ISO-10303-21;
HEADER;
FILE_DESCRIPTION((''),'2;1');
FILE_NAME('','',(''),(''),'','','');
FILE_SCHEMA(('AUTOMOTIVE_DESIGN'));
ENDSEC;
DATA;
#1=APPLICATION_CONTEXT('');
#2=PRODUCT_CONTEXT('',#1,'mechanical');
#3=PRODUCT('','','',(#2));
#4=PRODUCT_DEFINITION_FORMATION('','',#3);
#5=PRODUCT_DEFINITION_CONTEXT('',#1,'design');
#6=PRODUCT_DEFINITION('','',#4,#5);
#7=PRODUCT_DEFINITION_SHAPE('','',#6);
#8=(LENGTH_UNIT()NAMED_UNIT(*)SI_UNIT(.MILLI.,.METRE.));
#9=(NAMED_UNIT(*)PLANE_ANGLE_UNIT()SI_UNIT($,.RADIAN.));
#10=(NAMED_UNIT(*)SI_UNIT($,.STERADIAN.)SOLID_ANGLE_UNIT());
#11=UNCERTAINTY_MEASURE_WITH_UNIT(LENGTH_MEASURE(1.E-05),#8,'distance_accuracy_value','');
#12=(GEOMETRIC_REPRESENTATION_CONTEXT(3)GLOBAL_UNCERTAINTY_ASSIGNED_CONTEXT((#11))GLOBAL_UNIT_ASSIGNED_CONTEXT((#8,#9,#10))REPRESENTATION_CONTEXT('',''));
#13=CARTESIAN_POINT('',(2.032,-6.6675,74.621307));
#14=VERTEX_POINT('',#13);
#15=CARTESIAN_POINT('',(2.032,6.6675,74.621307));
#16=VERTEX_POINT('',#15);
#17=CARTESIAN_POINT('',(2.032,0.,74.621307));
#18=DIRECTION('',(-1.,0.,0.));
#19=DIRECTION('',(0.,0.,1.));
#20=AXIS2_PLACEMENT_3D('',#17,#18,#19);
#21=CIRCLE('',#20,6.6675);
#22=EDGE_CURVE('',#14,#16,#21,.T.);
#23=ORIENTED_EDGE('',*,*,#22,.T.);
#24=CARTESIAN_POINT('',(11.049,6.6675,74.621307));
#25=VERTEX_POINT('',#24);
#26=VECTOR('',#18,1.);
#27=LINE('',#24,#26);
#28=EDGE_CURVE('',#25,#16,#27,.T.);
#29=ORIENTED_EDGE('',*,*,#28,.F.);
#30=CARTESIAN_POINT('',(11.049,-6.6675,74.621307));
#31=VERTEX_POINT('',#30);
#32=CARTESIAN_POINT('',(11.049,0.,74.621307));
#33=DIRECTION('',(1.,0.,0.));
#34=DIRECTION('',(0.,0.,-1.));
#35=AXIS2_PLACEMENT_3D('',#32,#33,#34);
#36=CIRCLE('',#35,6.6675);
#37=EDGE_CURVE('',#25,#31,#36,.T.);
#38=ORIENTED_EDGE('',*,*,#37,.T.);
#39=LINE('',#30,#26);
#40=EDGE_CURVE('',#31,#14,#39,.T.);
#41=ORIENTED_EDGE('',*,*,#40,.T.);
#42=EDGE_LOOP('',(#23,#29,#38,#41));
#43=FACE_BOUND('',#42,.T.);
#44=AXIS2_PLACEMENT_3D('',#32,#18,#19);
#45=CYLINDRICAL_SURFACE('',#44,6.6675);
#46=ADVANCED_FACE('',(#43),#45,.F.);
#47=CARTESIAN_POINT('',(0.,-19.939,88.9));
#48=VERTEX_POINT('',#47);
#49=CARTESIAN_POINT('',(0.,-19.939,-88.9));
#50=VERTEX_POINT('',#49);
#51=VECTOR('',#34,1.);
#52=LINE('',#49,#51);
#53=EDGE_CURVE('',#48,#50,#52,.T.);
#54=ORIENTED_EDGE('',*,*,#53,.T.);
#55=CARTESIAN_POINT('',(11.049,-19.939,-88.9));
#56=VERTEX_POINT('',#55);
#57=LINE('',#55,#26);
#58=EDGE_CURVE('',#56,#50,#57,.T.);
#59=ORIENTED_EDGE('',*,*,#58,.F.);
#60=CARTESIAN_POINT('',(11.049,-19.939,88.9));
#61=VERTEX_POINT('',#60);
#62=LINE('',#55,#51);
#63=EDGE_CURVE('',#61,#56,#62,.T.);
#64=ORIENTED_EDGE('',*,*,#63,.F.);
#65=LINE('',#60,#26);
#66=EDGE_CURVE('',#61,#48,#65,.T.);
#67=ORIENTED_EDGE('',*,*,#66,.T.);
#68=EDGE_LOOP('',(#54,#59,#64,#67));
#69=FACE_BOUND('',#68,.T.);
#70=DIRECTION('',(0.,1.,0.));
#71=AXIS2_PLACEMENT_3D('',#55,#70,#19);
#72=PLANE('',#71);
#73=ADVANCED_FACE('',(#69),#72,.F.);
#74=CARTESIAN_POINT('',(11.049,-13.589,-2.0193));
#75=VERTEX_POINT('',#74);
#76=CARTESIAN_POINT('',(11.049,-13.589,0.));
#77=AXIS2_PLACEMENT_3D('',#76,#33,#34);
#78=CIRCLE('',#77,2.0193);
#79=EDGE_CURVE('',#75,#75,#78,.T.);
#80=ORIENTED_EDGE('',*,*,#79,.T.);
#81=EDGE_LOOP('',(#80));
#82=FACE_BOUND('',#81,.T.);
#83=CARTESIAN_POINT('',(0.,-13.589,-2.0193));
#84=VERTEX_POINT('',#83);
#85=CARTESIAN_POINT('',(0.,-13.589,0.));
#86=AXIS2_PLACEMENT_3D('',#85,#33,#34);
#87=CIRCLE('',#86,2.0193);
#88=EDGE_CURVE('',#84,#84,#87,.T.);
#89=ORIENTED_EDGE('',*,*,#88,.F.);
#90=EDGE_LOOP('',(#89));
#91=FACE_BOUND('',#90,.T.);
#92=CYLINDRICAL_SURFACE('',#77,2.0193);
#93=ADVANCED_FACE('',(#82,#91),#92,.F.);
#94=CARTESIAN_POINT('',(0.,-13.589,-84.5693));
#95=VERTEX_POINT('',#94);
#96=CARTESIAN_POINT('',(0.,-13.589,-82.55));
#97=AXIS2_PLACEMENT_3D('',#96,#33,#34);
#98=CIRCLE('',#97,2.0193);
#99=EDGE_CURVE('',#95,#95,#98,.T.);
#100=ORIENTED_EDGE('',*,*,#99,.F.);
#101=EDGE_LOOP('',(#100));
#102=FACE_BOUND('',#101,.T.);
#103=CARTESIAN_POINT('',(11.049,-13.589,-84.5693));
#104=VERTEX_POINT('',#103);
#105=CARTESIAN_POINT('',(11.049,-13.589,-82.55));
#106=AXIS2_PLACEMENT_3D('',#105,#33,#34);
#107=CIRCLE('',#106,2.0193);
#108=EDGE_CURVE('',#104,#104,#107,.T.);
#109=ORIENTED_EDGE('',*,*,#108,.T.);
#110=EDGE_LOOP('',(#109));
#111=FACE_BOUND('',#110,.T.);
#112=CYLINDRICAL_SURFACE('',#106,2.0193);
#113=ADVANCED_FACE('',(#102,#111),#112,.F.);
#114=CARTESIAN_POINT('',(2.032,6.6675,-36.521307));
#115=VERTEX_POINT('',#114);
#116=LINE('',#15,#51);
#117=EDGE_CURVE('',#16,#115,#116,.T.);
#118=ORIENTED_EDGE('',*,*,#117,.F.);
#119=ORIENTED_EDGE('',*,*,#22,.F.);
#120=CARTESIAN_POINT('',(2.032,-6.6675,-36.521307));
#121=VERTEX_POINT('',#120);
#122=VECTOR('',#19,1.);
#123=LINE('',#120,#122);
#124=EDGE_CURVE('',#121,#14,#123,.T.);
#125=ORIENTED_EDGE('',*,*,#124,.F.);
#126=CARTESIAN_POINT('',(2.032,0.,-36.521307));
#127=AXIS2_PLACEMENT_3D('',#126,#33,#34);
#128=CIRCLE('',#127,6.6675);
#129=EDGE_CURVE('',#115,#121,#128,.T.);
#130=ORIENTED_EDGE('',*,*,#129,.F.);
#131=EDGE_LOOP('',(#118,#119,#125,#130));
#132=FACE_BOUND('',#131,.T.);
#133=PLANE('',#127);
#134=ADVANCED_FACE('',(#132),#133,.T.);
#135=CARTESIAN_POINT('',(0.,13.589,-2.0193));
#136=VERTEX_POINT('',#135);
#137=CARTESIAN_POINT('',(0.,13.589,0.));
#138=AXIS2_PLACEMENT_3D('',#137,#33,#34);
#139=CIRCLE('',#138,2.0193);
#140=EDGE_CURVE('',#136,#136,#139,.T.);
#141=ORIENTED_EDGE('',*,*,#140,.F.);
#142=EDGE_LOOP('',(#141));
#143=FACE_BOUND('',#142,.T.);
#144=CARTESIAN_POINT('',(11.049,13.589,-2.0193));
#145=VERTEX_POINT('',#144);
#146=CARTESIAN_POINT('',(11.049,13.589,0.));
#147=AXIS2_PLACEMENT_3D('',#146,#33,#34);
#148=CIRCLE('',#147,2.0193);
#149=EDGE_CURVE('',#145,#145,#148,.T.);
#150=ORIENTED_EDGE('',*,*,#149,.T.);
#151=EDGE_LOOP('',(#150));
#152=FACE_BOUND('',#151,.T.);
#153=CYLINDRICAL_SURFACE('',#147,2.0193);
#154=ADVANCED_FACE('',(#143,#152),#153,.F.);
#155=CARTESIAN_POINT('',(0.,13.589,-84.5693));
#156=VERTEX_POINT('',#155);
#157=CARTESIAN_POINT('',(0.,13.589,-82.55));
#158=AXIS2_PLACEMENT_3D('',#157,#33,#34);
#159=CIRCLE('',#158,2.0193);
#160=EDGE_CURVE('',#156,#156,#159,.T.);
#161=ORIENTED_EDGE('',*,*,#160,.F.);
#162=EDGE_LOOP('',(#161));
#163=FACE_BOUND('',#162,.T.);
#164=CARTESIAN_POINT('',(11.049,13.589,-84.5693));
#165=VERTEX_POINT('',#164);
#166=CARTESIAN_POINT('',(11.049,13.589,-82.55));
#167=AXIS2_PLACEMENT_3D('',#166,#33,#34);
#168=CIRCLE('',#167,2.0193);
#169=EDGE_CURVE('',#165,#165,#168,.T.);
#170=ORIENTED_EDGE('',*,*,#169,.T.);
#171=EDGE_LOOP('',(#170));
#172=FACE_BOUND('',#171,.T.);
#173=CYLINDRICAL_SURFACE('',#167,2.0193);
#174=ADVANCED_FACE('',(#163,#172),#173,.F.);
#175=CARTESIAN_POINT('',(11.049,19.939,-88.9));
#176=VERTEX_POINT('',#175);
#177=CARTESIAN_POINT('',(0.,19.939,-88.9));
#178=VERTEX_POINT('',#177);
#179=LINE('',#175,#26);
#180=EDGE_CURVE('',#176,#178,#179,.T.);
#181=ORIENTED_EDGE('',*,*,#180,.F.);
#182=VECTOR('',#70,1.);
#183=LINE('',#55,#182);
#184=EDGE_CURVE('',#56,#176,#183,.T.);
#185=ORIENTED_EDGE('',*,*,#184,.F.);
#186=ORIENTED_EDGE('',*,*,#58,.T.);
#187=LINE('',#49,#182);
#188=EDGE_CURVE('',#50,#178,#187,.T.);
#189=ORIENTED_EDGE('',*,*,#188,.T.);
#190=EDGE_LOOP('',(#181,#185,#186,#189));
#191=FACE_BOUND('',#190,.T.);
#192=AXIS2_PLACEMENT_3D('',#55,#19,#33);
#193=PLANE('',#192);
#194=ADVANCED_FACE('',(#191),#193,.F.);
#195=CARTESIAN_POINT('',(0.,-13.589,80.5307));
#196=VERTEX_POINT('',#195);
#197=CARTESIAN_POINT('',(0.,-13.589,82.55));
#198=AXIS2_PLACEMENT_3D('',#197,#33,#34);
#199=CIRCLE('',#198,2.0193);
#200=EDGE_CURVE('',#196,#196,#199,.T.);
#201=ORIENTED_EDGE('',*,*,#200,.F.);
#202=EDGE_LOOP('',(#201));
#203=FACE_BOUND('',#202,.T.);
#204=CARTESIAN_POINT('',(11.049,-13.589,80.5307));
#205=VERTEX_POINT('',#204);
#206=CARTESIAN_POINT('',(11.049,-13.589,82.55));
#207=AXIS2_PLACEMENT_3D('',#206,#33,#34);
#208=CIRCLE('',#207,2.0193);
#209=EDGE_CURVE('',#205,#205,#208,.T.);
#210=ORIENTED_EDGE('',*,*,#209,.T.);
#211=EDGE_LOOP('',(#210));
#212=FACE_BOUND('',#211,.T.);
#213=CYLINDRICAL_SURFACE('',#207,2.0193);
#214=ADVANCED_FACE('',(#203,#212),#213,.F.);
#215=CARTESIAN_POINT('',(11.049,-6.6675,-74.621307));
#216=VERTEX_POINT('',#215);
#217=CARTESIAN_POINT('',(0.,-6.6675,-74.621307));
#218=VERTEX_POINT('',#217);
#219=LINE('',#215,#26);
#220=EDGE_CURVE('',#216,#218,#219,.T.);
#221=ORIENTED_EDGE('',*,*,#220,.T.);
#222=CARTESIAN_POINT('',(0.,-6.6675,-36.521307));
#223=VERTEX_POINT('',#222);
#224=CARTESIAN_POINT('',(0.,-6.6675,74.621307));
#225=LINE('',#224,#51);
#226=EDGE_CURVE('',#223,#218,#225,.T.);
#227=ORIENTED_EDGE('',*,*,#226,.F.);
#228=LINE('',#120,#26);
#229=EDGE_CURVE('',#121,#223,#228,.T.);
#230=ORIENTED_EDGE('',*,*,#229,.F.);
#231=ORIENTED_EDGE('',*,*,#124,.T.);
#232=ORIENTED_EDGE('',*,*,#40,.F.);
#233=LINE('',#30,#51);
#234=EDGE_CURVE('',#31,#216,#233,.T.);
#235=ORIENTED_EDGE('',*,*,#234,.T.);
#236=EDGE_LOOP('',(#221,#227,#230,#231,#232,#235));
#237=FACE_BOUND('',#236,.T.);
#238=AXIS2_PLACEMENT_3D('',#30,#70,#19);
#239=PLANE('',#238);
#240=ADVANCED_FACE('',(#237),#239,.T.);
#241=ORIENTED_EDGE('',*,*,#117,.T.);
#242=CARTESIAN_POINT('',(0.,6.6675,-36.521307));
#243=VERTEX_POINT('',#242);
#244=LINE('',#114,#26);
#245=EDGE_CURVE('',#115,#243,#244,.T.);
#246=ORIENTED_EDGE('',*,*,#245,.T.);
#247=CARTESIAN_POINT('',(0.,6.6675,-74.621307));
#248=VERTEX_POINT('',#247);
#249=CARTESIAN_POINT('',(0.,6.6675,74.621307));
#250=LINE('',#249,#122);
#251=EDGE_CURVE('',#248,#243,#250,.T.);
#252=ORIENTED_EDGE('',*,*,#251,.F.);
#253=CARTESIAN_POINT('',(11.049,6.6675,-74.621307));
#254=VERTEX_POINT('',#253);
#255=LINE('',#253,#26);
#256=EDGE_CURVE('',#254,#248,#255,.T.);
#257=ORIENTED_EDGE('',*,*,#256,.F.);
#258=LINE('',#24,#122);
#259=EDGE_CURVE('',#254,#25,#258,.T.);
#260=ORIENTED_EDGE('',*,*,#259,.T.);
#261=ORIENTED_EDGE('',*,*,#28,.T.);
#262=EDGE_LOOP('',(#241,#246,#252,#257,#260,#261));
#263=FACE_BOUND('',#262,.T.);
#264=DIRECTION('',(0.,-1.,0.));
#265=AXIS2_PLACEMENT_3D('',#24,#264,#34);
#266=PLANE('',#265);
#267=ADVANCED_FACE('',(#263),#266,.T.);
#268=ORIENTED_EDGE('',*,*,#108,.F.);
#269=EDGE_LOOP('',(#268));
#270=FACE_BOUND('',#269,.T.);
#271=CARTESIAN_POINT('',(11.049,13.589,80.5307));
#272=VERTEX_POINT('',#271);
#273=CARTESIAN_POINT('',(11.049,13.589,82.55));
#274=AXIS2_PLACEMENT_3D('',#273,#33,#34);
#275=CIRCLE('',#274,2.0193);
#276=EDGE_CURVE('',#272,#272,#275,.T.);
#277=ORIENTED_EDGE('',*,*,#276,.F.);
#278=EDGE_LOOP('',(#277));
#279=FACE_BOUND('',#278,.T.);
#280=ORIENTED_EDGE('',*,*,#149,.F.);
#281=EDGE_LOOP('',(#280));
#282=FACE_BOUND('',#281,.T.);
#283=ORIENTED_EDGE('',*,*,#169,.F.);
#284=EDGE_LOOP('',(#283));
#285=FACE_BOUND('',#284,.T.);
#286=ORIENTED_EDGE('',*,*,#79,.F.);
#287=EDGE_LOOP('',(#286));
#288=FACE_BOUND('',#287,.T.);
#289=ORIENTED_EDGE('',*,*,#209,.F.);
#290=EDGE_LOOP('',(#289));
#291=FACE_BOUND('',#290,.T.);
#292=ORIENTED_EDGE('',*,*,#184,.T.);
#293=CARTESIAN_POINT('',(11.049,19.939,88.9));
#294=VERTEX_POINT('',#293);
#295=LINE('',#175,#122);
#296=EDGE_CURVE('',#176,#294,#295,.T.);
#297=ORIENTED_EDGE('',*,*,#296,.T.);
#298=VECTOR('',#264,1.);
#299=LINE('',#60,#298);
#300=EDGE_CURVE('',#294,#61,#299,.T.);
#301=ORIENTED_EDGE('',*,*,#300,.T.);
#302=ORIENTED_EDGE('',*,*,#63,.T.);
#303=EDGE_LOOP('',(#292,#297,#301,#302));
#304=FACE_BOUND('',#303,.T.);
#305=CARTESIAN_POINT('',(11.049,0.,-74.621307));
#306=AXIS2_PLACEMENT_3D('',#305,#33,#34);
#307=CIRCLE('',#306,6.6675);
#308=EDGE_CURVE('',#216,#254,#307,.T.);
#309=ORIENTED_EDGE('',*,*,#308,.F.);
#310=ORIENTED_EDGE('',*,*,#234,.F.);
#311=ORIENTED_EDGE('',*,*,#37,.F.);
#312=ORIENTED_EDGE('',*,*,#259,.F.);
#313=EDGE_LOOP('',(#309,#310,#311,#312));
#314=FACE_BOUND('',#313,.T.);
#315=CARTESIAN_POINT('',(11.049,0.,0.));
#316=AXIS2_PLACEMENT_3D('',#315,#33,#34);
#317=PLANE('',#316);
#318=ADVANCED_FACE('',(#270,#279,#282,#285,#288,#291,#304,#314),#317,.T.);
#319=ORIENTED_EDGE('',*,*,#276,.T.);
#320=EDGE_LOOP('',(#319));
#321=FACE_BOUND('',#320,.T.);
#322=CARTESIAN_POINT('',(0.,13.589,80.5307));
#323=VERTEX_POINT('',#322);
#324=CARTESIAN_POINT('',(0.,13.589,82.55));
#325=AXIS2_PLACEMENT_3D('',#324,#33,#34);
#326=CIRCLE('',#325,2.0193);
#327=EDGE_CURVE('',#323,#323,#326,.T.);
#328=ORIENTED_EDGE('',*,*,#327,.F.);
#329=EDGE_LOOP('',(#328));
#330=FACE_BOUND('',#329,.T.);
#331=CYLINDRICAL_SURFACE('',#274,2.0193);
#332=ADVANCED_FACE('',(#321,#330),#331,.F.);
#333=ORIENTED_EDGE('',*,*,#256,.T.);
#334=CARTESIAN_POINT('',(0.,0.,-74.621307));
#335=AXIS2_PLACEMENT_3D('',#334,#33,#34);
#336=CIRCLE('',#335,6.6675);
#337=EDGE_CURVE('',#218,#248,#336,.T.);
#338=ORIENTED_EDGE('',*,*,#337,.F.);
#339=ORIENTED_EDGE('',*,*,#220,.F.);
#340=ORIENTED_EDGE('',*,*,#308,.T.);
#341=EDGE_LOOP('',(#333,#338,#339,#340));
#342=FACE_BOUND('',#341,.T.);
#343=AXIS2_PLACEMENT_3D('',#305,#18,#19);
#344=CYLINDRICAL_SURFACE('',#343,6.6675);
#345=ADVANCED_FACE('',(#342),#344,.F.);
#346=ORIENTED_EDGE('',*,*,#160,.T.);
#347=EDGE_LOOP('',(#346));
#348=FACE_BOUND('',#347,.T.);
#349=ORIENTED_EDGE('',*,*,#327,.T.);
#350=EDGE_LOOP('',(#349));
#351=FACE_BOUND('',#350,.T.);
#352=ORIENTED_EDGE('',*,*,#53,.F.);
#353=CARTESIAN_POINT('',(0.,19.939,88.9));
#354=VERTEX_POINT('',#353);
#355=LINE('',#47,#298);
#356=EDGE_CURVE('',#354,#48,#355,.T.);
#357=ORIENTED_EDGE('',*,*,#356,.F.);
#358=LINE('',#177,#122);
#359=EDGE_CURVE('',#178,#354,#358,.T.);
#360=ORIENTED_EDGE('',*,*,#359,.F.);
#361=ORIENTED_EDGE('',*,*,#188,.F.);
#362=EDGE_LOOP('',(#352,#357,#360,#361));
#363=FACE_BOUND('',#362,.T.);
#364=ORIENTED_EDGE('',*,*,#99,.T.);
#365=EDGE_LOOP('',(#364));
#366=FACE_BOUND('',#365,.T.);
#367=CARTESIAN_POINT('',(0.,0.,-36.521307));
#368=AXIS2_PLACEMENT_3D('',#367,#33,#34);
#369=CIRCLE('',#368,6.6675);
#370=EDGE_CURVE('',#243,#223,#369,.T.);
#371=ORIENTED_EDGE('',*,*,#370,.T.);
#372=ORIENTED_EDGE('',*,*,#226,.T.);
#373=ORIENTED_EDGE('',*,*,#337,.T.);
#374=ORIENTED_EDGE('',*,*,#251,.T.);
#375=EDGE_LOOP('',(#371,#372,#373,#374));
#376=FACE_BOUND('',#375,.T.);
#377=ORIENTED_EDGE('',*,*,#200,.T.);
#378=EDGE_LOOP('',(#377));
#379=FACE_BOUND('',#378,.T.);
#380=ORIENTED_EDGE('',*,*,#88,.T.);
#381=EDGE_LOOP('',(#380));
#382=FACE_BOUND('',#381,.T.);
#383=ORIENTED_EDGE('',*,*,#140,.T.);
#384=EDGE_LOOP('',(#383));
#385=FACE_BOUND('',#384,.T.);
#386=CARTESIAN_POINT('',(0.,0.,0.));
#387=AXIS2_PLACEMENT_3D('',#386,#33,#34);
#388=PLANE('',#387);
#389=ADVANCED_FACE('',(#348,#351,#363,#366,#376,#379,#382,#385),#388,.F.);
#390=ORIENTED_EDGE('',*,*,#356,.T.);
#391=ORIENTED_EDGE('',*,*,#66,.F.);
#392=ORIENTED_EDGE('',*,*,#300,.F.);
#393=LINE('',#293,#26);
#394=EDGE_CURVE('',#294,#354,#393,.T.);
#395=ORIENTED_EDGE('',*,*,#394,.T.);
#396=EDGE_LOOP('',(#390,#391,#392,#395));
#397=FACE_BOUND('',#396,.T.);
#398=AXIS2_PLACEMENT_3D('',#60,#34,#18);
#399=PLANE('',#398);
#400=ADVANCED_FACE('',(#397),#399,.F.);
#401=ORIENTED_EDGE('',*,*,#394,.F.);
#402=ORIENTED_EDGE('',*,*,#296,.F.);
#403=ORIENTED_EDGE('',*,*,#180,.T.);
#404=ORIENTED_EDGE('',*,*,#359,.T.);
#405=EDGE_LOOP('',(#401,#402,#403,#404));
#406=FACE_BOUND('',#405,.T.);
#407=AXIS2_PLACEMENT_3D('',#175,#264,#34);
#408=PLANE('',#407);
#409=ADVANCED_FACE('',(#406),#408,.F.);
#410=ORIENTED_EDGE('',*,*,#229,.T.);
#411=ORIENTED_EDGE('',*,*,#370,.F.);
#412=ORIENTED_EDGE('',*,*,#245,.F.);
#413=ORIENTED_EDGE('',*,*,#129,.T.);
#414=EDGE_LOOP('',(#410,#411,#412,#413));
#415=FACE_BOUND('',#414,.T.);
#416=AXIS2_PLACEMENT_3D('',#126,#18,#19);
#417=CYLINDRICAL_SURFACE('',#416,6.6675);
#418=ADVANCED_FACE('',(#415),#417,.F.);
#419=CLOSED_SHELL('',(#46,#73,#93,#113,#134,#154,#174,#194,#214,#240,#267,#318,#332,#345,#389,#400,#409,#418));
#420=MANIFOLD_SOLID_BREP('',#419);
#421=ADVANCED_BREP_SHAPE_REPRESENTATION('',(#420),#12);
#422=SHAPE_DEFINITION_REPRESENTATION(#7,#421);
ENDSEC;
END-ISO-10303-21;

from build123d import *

# Parameters (mm, degrees)
SKETCH1_W              = 177.8
SKETCH1_H              = 39.878
BOSS_EXTRUDE1_DEPTH    = 11.049
F_10_32_TAPPED_HOLE1_D = 4.0386
BOSS_EXTRUDE2_DEPTH    = 2.032


with BuildPart() as part:
    # Sketch1 → Boss-Extrude1 (new body)
    with BuildSketch(Plane(origin=(0, 0, 0), x_dir=(0, 0, -1), z_dir=(1, 0, 0))):
        Rectangle(SKETCH1_W, SKETCH1_H)
        with BuildLine():
            Line((-74.621306688, 6.6675), (74.621306688, 6.6675))
            ThreePointArc((74.621306688, 6.6675), (81.288806688, 0), (74.621306688, -6.6675))
            Line((74.621306688, -6.6675), (-74.621306688, -6.6675))
            ThreePointArc((-74.621306688, -6.6675), (-81.288806688, 0), (-74.621306688, 6.6675))
        make_face(mode=Mode.SUBTRACT)
    extrude(amount=BOSS_EXTRUDE1_DEPTH)

    # #10-32 Tapped Hole1 (through all)
    with Locations(Plane(origin=(11.049, 0, 0), x_dir=(0, 0, -1), z_dir=(1, 0, 0))):
        with Locations((-82.55, 13.589), (-82.55, -13.589), (0, -13.589), (82.55, -13.589), (82.55, 13.589), (0, 13.589)):
            Hole(F_10_32_TAPPED_HOLE1_D / 2)

    # Sketch5 → Boss-Extrude2 (add)
    with BuildSketch(Plane.ZY):
        with BuildLine():
            Line((-36.521306688, -6.6675), (74.621306688, -6.6675))
            ThreePointArc((74.621306688, -6.6675), (81.288806688, 0), (74.621306688, 6.6675))
            Line((74.621306688, 6.6675), (-36.521306688, 6.6675))
            ThreePointArc((-36.521306688, 6.6675), (-29.853806688, 0), (-36.521306688, -6.6675))
        make_face()
    extrude(amount=-BOSS_EXTRUDE2_DEPTH)


solid = part.part
